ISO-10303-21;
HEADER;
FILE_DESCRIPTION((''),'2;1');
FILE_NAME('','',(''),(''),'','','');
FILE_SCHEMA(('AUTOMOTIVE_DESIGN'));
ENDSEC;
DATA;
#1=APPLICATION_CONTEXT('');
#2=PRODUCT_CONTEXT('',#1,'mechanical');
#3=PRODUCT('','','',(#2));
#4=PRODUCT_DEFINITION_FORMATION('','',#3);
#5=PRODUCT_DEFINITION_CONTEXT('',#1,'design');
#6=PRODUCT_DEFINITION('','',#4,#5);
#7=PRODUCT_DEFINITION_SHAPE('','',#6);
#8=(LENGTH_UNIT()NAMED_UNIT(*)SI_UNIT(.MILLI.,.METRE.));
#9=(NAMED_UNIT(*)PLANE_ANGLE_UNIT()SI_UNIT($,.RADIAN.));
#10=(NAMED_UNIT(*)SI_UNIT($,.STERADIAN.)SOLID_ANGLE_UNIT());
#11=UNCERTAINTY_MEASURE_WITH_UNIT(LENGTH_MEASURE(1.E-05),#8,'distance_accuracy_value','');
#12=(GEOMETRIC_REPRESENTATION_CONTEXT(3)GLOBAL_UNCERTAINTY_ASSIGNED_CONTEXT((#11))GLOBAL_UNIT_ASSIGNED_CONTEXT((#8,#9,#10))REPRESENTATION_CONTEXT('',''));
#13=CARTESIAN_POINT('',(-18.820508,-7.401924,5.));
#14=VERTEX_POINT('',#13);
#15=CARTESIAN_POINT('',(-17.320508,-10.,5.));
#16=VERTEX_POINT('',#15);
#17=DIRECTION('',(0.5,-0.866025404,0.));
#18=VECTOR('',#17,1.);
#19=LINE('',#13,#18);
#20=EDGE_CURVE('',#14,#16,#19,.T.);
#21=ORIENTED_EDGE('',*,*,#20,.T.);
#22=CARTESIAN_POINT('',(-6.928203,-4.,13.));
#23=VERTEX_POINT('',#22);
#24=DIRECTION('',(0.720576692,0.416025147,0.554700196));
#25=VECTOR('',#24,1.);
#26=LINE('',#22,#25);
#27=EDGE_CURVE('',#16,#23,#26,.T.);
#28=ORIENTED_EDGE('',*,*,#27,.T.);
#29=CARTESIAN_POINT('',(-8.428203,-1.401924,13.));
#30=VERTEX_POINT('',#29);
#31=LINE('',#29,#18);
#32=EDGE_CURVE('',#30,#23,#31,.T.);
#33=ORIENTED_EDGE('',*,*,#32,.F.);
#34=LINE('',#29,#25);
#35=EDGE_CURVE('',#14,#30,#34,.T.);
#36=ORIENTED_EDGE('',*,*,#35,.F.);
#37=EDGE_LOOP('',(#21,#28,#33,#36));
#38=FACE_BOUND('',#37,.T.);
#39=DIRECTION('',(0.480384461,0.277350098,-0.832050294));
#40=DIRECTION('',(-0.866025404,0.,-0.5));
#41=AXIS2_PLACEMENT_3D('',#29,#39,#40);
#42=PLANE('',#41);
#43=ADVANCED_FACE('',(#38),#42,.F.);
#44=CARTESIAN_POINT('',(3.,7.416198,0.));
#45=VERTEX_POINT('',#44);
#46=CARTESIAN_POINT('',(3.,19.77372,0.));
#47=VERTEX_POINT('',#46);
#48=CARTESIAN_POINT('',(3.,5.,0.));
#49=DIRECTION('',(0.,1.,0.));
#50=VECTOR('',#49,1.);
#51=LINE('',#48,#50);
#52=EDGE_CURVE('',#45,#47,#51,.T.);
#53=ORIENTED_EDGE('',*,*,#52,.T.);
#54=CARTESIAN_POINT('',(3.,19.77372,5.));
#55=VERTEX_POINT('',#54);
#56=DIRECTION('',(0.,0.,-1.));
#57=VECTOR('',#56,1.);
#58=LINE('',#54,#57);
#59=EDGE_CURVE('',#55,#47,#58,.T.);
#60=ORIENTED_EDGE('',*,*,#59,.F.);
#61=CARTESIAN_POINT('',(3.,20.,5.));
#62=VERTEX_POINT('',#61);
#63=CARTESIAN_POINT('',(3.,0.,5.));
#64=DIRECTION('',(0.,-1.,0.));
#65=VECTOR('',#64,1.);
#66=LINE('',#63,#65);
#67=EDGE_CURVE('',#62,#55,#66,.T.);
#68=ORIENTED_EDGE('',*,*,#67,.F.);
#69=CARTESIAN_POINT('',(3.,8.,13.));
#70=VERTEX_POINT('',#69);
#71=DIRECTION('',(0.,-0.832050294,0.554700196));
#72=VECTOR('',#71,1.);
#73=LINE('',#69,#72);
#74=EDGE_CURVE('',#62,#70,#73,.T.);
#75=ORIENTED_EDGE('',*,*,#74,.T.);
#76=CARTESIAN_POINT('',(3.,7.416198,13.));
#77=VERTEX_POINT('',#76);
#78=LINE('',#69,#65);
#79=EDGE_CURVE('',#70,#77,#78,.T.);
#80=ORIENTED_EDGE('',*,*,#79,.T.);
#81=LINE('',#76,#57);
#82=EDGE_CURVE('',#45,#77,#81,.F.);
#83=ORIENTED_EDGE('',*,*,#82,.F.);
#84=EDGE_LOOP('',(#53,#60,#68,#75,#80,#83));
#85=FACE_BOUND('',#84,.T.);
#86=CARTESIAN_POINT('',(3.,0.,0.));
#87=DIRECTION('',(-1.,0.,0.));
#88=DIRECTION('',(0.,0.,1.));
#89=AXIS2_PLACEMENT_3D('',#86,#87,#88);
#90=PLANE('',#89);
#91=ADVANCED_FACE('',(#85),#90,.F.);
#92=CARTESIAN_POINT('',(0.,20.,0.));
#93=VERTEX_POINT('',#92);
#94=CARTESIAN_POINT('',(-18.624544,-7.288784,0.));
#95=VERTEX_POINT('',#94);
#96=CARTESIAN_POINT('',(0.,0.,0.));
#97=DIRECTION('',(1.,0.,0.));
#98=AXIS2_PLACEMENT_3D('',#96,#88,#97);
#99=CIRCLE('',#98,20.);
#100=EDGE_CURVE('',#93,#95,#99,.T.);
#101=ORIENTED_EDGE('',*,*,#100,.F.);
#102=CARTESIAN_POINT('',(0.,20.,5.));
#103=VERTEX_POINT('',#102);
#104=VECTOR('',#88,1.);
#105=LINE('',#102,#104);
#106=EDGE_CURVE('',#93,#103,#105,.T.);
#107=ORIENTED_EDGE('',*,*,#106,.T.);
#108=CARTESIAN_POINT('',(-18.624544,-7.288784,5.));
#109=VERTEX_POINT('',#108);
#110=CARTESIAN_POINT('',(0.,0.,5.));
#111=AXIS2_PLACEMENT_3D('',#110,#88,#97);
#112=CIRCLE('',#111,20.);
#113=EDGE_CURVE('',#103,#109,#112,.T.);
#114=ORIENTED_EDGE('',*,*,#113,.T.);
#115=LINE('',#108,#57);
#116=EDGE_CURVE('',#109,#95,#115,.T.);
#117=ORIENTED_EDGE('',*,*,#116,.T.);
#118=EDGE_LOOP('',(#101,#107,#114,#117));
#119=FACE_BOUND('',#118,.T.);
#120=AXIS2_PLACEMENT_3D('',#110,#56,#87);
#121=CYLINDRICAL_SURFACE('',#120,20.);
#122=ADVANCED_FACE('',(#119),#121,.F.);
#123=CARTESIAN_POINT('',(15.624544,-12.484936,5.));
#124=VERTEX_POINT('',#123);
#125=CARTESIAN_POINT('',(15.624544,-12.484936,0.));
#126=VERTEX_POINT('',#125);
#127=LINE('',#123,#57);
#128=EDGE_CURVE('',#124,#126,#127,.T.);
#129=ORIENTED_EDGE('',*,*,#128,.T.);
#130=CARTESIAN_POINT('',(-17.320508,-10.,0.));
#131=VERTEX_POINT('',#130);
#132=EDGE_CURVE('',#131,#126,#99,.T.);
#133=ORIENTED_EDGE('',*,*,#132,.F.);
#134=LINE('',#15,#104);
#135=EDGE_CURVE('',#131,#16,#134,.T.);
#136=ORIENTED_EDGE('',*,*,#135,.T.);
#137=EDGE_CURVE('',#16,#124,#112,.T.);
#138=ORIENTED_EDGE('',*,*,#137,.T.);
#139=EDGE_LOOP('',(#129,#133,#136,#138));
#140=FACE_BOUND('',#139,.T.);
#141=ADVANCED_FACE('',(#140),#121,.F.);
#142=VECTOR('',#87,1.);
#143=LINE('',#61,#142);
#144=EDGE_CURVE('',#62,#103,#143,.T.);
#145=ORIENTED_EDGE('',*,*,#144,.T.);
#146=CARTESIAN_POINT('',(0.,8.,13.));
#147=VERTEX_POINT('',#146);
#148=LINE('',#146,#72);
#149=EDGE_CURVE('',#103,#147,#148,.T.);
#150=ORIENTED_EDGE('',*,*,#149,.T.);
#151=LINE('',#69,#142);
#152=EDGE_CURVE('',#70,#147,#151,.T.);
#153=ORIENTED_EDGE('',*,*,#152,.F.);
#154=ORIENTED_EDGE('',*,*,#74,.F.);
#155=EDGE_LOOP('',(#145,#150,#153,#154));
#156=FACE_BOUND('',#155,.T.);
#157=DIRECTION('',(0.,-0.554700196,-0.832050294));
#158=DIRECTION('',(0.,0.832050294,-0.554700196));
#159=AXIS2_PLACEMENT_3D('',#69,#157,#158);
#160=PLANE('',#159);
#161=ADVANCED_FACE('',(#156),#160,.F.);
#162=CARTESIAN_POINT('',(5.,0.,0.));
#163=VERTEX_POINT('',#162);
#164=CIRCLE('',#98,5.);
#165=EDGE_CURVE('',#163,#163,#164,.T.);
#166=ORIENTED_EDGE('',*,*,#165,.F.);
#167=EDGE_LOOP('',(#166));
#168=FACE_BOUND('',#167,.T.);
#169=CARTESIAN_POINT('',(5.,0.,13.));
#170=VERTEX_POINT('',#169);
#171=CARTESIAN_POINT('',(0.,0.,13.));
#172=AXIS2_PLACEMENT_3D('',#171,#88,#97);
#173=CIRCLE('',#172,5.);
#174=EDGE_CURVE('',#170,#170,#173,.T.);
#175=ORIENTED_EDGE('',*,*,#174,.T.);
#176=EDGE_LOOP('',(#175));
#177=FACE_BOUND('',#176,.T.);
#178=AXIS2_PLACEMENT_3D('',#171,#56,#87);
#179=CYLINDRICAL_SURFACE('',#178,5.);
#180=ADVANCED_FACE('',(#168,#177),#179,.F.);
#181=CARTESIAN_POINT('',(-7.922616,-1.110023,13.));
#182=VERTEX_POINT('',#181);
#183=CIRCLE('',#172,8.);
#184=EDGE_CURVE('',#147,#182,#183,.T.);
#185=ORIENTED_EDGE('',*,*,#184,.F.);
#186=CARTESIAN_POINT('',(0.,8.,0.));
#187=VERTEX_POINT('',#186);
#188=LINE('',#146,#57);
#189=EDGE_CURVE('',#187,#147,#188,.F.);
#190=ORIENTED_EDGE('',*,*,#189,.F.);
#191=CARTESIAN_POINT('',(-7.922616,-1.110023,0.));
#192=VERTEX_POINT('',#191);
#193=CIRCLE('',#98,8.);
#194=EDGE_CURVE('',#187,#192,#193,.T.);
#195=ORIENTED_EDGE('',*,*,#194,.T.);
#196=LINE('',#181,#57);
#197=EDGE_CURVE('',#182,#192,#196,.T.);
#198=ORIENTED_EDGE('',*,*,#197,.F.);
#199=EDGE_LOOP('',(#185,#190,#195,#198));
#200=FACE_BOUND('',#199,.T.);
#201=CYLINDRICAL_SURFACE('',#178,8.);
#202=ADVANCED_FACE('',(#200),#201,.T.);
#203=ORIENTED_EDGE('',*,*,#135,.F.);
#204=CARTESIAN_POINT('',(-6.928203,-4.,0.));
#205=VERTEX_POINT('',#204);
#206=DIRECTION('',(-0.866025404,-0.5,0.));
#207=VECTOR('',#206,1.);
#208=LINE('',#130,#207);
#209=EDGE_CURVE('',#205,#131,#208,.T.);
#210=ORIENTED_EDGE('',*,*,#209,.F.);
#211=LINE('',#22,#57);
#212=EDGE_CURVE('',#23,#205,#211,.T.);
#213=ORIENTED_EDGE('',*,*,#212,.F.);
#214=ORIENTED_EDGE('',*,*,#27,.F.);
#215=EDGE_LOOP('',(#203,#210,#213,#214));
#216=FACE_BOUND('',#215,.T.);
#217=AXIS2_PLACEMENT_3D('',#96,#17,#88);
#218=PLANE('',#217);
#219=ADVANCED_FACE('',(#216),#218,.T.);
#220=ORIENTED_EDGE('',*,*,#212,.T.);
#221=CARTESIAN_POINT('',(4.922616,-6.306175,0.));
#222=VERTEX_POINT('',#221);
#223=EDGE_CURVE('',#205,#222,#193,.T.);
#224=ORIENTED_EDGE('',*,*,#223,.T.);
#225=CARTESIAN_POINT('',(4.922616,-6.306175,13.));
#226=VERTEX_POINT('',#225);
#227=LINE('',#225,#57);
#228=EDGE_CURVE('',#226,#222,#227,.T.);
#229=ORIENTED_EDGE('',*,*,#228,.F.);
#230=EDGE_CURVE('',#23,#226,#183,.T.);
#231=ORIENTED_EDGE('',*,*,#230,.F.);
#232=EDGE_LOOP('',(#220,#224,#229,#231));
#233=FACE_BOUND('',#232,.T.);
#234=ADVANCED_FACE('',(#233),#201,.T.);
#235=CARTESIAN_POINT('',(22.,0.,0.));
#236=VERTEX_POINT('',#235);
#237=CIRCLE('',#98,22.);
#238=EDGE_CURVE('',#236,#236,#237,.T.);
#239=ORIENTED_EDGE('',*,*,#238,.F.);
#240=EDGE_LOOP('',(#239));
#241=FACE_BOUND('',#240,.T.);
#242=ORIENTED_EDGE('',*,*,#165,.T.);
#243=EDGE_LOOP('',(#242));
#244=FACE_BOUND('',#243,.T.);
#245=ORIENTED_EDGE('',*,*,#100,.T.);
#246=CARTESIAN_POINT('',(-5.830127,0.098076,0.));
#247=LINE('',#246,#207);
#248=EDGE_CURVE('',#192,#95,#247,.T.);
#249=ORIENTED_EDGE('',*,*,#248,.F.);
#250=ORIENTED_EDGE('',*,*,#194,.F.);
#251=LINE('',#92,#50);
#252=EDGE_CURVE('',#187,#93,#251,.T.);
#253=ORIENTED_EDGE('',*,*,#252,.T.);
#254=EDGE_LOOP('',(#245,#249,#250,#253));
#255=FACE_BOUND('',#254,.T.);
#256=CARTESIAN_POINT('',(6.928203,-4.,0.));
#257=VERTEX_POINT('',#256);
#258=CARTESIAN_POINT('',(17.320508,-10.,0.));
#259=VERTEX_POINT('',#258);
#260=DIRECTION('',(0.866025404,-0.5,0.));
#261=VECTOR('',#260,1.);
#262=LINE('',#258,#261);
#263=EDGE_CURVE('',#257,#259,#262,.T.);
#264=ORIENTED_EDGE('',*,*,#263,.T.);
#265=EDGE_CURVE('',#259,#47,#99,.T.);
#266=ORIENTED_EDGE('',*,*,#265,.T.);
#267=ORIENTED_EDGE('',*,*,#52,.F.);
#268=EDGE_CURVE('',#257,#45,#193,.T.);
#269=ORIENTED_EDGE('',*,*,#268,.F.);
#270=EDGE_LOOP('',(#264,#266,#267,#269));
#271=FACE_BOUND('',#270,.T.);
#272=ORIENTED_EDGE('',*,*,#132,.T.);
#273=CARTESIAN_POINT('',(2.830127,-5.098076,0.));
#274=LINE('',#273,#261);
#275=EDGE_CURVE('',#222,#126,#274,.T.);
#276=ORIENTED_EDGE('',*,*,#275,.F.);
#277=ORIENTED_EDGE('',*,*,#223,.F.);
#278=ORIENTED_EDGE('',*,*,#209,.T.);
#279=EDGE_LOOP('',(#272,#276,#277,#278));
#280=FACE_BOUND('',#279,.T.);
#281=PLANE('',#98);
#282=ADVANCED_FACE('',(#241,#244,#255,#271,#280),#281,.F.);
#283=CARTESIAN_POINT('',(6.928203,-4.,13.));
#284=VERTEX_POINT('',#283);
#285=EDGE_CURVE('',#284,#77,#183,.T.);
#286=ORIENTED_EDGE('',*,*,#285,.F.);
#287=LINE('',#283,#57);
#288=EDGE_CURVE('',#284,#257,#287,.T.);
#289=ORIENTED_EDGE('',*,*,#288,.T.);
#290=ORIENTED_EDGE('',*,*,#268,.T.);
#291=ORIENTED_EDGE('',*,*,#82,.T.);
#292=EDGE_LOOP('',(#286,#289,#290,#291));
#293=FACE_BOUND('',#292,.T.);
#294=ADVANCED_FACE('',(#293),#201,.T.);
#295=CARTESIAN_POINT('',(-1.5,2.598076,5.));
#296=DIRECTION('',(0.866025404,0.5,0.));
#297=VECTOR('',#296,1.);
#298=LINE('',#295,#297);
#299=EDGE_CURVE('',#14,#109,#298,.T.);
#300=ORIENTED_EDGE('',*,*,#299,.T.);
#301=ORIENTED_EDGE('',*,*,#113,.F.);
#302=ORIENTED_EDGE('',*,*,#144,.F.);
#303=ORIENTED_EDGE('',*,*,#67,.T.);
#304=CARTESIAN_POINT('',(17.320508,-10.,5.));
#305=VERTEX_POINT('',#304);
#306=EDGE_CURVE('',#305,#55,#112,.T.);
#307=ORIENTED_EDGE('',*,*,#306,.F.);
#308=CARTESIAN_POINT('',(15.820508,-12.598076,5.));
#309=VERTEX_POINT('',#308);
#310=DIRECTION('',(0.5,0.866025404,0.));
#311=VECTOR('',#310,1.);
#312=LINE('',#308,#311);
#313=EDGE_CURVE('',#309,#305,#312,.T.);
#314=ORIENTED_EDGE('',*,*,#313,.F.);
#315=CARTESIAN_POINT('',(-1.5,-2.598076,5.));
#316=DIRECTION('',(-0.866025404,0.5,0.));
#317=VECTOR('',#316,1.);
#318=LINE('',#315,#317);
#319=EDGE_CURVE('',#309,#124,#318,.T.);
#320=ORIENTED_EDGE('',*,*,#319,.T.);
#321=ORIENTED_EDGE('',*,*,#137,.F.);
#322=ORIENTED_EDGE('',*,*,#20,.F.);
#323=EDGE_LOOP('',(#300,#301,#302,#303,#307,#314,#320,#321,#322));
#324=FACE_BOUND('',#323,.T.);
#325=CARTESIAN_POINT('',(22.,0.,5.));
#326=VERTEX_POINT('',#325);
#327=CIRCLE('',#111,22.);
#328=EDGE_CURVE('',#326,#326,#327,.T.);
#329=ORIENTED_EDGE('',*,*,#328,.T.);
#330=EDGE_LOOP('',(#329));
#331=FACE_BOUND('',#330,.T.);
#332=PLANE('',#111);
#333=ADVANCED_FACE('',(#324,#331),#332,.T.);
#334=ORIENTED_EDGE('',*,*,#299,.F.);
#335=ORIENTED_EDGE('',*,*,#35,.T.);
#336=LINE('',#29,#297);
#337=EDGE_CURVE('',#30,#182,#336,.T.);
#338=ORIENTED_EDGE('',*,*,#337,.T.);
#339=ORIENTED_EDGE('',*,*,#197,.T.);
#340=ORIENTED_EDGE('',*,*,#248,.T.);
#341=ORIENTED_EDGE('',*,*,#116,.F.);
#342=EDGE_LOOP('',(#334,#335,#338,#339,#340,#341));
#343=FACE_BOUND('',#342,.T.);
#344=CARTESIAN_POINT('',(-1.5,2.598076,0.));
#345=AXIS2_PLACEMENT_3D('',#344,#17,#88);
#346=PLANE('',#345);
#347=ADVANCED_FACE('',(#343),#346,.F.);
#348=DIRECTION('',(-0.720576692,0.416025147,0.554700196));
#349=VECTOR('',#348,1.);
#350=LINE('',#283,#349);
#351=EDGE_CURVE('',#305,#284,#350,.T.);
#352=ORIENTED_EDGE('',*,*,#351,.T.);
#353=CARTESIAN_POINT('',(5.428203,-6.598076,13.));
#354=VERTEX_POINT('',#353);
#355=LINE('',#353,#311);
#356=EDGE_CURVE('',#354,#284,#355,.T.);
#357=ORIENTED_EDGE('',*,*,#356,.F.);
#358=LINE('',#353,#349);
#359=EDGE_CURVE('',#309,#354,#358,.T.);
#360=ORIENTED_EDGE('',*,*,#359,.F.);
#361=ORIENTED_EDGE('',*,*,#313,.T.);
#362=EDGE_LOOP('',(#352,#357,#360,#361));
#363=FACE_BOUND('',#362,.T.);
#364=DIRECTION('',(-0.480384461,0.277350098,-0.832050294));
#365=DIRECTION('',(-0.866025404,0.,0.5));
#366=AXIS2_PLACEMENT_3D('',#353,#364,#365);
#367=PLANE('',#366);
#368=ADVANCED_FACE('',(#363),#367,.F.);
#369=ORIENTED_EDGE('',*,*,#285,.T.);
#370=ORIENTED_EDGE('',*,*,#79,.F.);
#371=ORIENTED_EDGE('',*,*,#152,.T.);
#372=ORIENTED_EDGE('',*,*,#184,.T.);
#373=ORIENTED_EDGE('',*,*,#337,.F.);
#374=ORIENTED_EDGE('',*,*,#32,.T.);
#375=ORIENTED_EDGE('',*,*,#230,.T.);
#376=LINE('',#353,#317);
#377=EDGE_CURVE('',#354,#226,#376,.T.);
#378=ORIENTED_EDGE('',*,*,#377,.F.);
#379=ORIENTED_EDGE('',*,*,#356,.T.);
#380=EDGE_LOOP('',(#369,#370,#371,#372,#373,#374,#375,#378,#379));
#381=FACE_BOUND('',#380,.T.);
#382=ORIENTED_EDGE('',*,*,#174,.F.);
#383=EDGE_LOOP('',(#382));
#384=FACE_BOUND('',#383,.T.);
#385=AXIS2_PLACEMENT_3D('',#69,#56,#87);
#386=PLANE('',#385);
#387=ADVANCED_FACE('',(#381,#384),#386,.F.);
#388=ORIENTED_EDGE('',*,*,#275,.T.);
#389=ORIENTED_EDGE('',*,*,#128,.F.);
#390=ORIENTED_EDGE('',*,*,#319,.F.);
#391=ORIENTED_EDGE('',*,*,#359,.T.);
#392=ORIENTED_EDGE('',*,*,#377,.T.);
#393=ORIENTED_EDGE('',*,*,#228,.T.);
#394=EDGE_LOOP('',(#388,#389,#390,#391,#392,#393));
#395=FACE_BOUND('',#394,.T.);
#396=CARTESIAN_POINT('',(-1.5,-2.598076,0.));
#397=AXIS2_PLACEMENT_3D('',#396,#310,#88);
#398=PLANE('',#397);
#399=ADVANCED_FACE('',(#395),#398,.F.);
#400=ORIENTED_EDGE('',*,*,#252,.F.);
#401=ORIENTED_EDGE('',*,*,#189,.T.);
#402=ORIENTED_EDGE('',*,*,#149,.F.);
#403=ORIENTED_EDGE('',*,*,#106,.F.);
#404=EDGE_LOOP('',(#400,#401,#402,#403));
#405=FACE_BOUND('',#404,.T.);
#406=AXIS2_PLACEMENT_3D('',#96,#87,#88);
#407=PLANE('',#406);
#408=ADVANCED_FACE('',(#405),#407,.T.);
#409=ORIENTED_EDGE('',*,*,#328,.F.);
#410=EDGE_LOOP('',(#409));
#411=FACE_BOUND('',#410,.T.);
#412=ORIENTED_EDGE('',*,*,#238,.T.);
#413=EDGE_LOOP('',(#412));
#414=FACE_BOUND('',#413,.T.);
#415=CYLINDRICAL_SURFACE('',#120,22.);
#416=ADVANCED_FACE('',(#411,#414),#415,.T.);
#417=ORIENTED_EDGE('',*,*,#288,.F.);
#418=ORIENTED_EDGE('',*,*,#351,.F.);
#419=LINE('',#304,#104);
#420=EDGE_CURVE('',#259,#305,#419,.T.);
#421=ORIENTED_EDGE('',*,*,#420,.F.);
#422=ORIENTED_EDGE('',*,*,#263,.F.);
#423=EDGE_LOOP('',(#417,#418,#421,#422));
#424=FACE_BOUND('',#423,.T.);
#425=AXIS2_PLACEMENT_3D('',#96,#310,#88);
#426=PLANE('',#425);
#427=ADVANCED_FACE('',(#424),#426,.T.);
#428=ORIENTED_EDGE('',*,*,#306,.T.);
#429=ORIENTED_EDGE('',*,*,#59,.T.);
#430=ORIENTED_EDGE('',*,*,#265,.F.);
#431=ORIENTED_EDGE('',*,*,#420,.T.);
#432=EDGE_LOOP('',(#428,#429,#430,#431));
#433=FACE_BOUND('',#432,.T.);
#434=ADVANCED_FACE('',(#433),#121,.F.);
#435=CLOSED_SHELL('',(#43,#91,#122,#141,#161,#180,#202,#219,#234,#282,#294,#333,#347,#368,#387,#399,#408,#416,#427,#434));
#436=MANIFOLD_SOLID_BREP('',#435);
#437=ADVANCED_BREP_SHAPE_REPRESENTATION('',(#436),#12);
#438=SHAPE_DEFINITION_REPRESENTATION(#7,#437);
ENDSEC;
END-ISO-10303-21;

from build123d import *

# Parameters (mm, degrees)
SKETCH7_R            = 22
SKETCH7_R_2          = 20
BOSS_EXTRUDE7_DEPTH  = 5
SKETCH8_R            = 8
SKETCH8_R_2          = 5
BOSS_EXTRUDE8_DEPTH  = 13
BOSS_EXTRUDE10_DEPTH = 3
CIRPATTERN2_COUNT    = 3


with BuildPart() as part:
    # Sketch7 → Boss-Extrude7 (new body)
    with BuildSketch(Plane.XY):
        Circle(SKETCH7_R)
        Circle(SKETCH7_R_2, mode=Mode.SUBTRACT)
    extrude(amount=BOSS_EXTRUDE7_DEPTH)



with BuildPart() as body_2:
    # Sketch8 → Boss-Extrude8 (new body)
    with BuildSketch(Plane.XY):
        Circle(SKETCH8_R)
        Circle(SKETCH8_R_2, mode=Mode.SUBTRACT)
    extrude(amount=BOSS_EXTRUDE8_DEPTH)


with BuildPart() as part_1:
    add(part.part)

    add(body_2.part)  # Boss-Extrude10 merges body 2
    # Sketch9 → Boss-Extrude10 (add)
    with BuildSketch(Plane(origin=(0, 0, 0), x_dir=(0, 0, -1), z_dir=(1, 0, 0))):
        Polygon((-13, 8), (-5, 20), (0, 20), (0, 8), (0, 5), (-13, 5), align=None)
    boss_extrude10 = extrude(amount=BOSS_EXTRUDE10_DEPTH)

    # CirPattern2: Boss-Extrude10 ×3 about axis
    cirpattern2_axis = Axis((0, 0, 0), (0, 0, 1))
    for i in range(1, CIRPATTERN2_COUNT):
        add(boss_extrude10.rotate(cirpattern2_axis, i * 360 / CIRPATTERN2_COUNT))


solid = part_1.part
